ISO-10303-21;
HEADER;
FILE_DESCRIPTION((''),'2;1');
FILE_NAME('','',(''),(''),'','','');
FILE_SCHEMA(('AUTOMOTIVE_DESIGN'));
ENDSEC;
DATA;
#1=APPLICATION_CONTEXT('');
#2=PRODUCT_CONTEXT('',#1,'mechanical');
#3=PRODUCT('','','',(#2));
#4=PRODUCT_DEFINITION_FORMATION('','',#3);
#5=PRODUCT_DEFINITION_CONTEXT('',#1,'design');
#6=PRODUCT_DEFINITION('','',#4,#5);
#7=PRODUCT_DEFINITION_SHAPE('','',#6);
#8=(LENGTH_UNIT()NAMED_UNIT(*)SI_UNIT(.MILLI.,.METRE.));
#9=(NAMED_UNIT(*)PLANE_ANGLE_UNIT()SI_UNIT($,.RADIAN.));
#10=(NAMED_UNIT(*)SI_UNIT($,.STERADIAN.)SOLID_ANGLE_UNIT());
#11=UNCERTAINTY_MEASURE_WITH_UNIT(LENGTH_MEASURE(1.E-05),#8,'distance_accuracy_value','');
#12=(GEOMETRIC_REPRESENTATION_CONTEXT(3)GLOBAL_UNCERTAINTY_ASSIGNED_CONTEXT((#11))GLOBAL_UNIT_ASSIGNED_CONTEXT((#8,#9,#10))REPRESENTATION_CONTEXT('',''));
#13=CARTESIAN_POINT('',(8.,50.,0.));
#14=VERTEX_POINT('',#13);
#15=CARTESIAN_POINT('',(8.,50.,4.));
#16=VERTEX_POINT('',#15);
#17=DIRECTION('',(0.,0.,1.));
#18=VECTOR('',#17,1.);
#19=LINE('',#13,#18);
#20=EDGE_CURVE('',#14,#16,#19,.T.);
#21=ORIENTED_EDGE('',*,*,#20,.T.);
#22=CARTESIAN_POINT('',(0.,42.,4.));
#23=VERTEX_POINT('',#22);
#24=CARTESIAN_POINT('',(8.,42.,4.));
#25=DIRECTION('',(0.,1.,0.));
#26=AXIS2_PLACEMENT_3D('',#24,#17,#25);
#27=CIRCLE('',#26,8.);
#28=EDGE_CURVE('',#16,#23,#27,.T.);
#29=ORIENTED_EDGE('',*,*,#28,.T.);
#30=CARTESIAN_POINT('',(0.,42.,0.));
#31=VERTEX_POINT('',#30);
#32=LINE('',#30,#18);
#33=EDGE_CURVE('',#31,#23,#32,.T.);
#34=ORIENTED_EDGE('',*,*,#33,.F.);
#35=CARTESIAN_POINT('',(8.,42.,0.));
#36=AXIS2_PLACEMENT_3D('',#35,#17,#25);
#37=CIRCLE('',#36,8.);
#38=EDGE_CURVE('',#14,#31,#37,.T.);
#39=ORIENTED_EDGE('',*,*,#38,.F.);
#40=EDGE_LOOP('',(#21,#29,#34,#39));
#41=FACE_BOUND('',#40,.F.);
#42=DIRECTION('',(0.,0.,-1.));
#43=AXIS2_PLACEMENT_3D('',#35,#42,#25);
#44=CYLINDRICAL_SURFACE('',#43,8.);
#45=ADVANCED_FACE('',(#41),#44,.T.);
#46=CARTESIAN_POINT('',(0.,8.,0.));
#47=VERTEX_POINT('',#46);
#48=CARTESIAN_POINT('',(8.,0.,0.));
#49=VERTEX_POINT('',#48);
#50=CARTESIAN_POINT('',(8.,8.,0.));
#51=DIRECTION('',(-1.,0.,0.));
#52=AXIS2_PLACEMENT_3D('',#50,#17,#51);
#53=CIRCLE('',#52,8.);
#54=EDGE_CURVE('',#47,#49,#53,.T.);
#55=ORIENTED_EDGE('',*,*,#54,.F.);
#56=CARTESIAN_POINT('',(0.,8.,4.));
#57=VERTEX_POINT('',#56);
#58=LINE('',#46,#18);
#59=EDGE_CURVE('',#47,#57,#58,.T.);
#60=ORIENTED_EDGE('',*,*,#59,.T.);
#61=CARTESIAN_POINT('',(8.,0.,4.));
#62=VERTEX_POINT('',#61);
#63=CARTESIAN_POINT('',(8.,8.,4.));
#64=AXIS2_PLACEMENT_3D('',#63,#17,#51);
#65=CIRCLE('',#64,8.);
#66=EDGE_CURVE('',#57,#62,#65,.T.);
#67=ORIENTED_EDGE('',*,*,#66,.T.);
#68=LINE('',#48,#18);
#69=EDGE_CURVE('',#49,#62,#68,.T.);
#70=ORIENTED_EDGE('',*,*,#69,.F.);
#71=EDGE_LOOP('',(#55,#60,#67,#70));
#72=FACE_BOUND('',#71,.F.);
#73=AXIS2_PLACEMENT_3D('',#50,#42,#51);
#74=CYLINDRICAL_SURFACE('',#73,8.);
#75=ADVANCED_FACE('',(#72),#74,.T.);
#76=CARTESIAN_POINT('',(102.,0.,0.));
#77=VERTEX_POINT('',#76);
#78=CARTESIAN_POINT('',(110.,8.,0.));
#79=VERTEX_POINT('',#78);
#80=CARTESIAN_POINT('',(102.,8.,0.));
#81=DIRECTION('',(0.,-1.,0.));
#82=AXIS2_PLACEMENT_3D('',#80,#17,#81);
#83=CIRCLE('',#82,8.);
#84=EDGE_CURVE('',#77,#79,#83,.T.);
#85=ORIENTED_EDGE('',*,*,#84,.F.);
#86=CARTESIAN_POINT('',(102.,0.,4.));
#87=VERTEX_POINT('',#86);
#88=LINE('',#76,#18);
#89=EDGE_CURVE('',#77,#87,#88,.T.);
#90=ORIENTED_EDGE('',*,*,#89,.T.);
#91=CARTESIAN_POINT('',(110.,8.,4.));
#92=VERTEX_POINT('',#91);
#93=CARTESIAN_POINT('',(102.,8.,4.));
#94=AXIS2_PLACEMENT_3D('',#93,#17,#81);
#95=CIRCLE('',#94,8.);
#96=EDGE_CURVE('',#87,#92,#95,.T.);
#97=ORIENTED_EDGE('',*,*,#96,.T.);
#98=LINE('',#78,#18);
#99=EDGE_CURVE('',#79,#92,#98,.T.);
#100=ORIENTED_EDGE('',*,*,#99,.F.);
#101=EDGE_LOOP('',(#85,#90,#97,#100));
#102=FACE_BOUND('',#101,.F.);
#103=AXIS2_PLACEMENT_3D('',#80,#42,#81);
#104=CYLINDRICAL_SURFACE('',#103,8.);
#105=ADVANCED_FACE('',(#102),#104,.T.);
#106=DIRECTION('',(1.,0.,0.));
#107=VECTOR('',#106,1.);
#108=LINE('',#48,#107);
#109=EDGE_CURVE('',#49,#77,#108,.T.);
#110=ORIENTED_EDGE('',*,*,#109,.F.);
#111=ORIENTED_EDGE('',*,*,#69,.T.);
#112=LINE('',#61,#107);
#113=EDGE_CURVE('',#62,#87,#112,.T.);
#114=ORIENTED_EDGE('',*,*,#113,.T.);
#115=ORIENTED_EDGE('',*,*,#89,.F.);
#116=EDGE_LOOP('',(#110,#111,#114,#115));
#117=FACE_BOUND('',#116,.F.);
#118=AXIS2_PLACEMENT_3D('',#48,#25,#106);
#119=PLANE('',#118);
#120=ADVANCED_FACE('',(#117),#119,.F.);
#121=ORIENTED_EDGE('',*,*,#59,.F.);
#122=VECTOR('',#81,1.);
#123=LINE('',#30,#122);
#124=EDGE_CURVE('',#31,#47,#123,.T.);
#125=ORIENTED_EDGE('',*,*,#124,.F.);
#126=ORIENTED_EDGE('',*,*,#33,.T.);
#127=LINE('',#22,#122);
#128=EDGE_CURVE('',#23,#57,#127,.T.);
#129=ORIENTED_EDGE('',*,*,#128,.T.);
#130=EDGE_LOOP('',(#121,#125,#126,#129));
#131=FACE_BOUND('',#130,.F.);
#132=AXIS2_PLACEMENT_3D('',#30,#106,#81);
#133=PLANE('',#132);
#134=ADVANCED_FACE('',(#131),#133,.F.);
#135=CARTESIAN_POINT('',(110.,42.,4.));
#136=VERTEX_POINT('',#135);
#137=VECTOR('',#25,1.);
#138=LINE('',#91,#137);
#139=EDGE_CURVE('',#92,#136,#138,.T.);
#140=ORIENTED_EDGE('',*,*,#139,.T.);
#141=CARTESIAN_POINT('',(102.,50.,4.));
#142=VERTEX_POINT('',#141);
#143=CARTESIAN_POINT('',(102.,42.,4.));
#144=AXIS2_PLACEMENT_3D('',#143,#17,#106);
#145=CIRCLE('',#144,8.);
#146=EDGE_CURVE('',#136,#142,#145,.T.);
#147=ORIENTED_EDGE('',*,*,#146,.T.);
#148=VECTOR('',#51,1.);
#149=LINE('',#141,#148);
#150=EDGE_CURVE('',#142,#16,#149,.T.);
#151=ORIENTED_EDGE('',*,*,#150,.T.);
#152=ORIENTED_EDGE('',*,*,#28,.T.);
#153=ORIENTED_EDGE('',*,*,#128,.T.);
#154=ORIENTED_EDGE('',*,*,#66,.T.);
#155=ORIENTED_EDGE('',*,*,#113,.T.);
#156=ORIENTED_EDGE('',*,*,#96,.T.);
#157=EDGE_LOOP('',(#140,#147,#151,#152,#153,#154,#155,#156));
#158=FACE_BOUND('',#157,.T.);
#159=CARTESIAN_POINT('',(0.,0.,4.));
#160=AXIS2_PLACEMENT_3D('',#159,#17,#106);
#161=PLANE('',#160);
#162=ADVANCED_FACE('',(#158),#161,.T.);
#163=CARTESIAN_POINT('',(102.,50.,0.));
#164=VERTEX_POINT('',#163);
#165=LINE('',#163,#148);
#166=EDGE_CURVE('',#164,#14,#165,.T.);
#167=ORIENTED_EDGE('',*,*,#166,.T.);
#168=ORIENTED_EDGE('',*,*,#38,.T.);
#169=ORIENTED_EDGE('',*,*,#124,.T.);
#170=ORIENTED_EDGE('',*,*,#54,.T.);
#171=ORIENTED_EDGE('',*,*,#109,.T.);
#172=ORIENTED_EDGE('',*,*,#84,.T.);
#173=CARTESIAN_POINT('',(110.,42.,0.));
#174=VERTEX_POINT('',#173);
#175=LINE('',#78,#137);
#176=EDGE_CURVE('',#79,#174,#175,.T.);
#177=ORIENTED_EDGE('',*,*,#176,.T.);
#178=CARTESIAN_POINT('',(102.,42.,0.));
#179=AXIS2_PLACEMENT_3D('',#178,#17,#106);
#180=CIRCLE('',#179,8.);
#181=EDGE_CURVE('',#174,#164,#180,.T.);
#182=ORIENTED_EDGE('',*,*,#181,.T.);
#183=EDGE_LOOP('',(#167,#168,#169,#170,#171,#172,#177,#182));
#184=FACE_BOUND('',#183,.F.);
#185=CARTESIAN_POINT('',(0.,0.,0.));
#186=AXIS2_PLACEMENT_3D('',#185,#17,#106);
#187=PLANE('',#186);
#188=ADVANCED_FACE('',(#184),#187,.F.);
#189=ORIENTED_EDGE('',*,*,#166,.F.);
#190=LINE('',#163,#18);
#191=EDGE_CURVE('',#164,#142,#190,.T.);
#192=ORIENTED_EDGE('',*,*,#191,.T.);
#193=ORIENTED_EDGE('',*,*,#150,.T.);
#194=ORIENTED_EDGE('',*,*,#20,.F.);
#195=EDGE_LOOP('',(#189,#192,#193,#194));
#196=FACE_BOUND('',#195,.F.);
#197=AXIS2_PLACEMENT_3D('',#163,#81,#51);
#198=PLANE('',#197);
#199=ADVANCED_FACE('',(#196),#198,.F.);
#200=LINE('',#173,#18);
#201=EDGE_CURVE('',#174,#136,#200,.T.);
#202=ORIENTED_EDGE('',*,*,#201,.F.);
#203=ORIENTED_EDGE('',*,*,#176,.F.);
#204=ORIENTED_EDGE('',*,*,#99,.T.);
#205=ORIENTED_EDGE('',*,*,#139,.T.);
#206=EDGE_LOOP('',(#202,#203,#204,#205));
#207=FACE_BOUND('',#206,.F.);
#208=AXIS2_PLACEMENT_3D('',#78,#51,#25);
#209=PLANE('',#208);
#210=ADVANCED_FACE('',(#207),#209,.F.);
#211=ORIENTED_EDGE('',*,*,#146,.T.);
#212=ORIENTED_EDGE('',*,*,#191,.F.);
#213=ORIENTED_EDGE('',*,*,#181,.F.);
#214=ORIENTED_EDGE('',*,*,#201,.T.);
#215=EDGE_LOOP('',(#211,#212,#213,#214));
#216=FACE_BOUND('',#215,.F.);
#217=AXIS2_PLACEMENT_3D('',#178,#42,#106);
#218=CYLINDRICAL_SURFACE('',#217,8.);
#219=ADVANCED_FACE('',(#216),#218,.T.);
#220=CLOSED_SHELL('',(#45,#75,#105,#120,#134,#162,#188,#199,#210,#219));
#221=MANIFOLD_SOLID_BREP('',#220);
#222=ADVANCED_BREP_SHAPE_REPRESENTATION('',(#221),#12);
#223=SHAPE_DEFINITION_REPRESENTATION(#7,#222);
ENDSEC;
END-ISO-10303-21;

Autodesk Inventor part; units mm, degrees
ref_plane "YZ Plane" through (0, 0, 0) normal (1, 0, 0) x (0, 1, 0)
ref_plane "XZ Plane" through (0, 0, 0) normal (0, 1, 0) x (-1, 0, 0)
ref_plane "XY Plane" through (0, 0, 0) normal (0, 0, 1) x (1, 0, 0)
sketch "Sketch1" plane through (0, 0, 0) normal (0, 0, 1) x (1, 0, 0)
  line L0 (8, 0) -> (102, 0)
  line L1 (110, 8) -> (110, 42)
  line L2 (102, 50) -> (8, 50)
  line L3 (0, 42) -> (0, 8)
  arc A0 (2.5, 50) -> (0, 47.5) centre (2.5, 47.5) ccw
  arc A1 (110, 42) -> (102, 50) centre (102, 42) ccw
  arc A2 (8, 50) -> (0, 42) centre (8, 42) ccw
  arc A3 (0, 8) -> (8, 0) centre (8, 8) ccw
  arc A4 (102, 0) -> (110, 8) centre (102, 8) ccw
  circle A5 centre (55, 25) radius 6.6301 construction
  point P0 (0, 0)
  point P1 (110, 50)
  point P2 (110, 0)
  point P3 (0, 50)
  dimension "d0" = 110
  dimension "d1" = 50
  dimension "d3" = 8
  dimension "d4" = 8
  dimension "d6" = 8
extrude "Extrusion1" add sketch "Sketch1" along normal blind 4
properties part number "PistonFeederHeadMini" material "Stainless Steel"
